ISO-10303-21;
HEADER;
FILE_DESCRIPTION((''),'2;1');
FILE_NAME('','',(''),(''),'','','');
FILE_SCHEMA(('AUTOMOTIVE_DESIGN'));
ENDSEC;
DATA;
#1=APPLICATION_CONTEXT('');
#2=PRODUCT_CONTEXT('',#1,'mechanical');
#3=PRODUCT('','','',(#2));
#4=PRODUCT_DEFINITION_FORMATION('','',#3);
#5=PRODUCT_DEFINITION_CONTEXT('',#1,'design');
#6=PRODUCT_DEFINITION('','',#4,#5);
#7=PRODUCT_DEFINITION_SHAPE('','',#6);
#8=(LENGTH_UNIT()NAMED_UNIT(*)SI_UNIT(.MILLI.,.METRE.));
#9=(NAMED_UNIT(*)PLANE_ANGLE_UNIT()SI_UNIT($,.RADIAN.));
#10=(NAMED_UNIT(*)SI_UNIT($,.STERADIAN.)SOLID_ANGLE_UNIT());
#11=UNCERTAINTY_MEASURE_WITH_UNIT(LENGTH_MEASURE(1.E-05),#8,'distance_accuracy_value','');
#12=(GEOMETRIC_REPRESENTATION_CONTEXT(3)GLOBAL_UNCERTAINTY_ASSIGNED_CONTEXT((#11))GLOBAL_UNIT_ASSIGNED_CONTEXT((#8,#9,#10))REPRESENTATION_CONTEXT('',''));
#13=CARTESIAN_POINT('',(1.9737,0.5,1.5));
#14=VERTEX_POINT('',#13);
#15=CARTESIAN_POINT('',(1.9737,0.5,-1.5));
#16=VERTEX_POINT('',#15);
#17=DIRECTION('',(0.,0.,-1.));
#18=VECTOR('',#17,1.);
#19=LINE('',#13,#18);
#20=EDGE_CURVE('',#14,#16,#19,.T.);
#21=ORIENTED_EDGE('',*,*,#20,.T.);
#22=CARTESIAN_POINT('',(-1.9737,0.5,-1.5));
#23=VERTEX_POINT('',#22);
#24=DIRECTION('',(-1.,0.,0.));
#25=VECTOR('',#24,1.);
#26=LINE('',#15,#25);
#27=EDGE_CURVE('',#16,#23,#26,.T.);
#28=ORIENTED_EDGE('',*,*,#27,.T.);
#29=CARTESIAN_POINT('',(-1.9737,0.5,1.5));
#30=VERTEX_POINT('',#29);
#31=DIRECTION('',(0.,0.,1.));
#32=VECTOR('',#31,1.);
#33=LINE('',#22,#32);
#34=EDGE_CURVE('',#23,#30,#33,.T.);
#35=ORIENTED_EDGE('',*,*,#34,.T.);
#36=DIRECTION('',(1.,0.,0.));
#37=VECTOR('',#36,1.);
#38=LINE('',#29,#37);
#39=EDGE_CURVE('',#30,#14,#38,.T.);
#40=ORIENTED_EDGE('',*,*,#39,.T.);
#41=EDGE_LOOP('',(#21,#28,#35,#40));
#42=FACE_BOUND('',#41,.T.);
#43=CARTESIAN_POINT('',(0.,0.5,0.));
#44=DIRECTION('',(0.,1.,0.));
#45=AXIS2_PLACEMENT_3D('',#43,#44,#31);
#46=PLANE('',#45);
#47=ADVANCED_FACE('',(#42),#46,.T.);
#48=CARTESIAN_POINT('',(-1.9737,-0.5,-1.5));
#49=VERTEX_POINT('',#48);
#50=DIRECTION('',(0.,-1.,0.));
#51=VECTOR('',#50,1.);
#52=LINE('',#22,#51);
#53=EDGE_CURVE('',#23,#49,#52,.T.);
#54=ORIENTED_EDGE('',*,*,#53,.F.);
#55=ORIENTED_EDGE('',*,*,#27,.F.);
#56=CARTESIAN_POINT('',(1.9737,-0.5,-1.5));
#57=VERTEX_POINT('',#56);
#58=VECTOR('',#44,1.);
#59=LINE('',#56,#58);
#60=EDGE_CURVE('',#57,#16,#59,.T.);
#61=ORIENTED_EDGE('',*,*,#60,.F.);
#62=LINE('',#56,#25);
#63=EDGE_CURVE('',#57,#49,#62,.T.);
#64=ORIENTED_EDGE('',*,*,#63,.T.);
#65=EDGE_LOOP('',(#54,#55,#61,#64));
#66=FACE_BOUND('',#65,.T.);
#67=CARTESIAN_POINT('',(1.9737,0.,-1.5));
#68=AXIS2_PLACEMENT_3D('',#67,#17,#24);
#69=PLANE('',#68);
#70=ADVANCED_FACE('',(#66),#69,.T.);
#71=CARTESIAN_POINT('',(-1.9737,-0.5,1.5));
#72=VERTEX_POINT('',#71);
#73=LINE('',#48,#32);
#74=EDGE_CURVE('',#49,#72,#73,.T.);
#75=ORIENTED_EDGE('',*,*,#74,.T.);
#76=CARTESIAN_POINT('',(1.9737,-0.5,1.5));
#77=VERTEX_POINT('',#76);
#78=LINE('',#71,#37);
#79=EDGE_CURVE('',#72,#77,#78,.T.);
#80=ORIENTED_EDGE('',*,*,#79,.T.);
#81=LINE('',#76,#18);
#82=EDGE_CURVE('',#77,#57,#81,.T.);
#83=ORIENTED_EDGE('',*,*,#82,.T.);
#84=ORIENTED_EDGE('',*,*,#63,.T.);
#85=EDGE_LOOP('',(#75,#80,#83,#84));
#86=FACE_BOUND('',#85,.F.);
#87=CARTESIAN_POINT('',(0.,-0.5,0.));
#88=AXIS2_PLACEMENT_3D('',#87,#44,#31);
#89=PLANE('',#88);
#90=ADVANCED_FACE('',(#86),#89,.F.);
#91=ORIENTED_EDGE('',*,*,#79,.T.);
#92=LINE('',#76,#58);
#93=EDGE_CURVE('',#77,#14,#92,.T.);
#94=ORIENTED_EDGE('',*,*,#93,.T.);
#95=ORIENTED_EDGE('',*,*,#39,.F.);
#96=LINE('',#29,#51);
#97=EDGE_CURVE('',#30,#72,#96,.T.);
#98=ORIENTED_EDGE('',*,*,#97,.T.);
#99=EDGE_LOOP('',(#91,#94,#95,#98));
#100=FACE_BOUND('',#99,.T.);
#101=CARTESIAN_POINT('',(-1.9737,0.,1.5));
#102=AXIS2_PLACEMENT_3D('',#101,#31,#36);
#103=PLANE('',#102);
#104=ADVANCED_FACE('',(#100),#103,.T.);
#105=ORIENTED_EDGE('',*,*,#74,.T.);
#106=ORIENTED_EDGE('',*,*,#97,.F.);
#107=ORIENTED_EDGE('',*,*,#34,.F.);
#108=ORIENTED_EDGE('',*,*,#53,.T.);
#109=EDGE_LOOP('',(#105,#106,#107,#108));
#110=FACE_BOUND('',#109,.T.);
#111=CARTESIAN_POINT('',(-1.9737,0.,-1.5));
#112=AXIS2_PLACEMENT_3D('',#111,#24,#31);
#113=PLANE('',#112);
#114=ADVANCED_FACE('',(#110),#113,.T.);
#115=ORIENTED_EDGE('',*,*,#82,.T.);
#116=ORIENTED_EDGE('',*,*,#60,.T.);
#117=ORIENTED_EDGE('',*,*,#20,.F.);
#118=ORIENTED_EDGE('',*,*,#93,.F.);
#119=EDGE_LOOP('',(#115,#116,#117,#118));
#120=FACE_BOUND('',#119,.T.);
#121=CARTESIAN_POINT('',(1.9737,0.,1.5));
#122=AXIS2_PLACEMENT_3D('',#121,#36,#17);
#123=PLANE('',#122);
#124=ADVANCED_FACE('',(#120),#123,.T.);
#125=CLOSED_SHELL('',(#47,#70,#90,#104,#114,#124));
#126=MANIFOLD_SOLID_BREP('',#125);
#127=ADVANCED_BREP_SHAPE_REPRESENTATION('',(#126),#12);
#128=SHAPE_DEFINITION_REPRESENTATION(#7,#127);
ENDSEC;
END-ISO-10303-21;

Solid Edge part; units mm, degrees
sketch "Sketch1" plane through (0, 0, 0) normal (0, -1, 0) x (1, 0, 0)
  line L0 (-1.9737, 1.5) -> (1.9737, 1.5)
  line L1 (1.9737, 1.5) -> (1.9737, -1.5)
  line L2 (1.9737, -1.5) -> (-1.9737, -1.5)
  line L3 (-1.9737, -1.5) -> (-1.9737, 1.5)
extrude "Protrusion1" add sketch "Sketch1" along normal mid plane 1
